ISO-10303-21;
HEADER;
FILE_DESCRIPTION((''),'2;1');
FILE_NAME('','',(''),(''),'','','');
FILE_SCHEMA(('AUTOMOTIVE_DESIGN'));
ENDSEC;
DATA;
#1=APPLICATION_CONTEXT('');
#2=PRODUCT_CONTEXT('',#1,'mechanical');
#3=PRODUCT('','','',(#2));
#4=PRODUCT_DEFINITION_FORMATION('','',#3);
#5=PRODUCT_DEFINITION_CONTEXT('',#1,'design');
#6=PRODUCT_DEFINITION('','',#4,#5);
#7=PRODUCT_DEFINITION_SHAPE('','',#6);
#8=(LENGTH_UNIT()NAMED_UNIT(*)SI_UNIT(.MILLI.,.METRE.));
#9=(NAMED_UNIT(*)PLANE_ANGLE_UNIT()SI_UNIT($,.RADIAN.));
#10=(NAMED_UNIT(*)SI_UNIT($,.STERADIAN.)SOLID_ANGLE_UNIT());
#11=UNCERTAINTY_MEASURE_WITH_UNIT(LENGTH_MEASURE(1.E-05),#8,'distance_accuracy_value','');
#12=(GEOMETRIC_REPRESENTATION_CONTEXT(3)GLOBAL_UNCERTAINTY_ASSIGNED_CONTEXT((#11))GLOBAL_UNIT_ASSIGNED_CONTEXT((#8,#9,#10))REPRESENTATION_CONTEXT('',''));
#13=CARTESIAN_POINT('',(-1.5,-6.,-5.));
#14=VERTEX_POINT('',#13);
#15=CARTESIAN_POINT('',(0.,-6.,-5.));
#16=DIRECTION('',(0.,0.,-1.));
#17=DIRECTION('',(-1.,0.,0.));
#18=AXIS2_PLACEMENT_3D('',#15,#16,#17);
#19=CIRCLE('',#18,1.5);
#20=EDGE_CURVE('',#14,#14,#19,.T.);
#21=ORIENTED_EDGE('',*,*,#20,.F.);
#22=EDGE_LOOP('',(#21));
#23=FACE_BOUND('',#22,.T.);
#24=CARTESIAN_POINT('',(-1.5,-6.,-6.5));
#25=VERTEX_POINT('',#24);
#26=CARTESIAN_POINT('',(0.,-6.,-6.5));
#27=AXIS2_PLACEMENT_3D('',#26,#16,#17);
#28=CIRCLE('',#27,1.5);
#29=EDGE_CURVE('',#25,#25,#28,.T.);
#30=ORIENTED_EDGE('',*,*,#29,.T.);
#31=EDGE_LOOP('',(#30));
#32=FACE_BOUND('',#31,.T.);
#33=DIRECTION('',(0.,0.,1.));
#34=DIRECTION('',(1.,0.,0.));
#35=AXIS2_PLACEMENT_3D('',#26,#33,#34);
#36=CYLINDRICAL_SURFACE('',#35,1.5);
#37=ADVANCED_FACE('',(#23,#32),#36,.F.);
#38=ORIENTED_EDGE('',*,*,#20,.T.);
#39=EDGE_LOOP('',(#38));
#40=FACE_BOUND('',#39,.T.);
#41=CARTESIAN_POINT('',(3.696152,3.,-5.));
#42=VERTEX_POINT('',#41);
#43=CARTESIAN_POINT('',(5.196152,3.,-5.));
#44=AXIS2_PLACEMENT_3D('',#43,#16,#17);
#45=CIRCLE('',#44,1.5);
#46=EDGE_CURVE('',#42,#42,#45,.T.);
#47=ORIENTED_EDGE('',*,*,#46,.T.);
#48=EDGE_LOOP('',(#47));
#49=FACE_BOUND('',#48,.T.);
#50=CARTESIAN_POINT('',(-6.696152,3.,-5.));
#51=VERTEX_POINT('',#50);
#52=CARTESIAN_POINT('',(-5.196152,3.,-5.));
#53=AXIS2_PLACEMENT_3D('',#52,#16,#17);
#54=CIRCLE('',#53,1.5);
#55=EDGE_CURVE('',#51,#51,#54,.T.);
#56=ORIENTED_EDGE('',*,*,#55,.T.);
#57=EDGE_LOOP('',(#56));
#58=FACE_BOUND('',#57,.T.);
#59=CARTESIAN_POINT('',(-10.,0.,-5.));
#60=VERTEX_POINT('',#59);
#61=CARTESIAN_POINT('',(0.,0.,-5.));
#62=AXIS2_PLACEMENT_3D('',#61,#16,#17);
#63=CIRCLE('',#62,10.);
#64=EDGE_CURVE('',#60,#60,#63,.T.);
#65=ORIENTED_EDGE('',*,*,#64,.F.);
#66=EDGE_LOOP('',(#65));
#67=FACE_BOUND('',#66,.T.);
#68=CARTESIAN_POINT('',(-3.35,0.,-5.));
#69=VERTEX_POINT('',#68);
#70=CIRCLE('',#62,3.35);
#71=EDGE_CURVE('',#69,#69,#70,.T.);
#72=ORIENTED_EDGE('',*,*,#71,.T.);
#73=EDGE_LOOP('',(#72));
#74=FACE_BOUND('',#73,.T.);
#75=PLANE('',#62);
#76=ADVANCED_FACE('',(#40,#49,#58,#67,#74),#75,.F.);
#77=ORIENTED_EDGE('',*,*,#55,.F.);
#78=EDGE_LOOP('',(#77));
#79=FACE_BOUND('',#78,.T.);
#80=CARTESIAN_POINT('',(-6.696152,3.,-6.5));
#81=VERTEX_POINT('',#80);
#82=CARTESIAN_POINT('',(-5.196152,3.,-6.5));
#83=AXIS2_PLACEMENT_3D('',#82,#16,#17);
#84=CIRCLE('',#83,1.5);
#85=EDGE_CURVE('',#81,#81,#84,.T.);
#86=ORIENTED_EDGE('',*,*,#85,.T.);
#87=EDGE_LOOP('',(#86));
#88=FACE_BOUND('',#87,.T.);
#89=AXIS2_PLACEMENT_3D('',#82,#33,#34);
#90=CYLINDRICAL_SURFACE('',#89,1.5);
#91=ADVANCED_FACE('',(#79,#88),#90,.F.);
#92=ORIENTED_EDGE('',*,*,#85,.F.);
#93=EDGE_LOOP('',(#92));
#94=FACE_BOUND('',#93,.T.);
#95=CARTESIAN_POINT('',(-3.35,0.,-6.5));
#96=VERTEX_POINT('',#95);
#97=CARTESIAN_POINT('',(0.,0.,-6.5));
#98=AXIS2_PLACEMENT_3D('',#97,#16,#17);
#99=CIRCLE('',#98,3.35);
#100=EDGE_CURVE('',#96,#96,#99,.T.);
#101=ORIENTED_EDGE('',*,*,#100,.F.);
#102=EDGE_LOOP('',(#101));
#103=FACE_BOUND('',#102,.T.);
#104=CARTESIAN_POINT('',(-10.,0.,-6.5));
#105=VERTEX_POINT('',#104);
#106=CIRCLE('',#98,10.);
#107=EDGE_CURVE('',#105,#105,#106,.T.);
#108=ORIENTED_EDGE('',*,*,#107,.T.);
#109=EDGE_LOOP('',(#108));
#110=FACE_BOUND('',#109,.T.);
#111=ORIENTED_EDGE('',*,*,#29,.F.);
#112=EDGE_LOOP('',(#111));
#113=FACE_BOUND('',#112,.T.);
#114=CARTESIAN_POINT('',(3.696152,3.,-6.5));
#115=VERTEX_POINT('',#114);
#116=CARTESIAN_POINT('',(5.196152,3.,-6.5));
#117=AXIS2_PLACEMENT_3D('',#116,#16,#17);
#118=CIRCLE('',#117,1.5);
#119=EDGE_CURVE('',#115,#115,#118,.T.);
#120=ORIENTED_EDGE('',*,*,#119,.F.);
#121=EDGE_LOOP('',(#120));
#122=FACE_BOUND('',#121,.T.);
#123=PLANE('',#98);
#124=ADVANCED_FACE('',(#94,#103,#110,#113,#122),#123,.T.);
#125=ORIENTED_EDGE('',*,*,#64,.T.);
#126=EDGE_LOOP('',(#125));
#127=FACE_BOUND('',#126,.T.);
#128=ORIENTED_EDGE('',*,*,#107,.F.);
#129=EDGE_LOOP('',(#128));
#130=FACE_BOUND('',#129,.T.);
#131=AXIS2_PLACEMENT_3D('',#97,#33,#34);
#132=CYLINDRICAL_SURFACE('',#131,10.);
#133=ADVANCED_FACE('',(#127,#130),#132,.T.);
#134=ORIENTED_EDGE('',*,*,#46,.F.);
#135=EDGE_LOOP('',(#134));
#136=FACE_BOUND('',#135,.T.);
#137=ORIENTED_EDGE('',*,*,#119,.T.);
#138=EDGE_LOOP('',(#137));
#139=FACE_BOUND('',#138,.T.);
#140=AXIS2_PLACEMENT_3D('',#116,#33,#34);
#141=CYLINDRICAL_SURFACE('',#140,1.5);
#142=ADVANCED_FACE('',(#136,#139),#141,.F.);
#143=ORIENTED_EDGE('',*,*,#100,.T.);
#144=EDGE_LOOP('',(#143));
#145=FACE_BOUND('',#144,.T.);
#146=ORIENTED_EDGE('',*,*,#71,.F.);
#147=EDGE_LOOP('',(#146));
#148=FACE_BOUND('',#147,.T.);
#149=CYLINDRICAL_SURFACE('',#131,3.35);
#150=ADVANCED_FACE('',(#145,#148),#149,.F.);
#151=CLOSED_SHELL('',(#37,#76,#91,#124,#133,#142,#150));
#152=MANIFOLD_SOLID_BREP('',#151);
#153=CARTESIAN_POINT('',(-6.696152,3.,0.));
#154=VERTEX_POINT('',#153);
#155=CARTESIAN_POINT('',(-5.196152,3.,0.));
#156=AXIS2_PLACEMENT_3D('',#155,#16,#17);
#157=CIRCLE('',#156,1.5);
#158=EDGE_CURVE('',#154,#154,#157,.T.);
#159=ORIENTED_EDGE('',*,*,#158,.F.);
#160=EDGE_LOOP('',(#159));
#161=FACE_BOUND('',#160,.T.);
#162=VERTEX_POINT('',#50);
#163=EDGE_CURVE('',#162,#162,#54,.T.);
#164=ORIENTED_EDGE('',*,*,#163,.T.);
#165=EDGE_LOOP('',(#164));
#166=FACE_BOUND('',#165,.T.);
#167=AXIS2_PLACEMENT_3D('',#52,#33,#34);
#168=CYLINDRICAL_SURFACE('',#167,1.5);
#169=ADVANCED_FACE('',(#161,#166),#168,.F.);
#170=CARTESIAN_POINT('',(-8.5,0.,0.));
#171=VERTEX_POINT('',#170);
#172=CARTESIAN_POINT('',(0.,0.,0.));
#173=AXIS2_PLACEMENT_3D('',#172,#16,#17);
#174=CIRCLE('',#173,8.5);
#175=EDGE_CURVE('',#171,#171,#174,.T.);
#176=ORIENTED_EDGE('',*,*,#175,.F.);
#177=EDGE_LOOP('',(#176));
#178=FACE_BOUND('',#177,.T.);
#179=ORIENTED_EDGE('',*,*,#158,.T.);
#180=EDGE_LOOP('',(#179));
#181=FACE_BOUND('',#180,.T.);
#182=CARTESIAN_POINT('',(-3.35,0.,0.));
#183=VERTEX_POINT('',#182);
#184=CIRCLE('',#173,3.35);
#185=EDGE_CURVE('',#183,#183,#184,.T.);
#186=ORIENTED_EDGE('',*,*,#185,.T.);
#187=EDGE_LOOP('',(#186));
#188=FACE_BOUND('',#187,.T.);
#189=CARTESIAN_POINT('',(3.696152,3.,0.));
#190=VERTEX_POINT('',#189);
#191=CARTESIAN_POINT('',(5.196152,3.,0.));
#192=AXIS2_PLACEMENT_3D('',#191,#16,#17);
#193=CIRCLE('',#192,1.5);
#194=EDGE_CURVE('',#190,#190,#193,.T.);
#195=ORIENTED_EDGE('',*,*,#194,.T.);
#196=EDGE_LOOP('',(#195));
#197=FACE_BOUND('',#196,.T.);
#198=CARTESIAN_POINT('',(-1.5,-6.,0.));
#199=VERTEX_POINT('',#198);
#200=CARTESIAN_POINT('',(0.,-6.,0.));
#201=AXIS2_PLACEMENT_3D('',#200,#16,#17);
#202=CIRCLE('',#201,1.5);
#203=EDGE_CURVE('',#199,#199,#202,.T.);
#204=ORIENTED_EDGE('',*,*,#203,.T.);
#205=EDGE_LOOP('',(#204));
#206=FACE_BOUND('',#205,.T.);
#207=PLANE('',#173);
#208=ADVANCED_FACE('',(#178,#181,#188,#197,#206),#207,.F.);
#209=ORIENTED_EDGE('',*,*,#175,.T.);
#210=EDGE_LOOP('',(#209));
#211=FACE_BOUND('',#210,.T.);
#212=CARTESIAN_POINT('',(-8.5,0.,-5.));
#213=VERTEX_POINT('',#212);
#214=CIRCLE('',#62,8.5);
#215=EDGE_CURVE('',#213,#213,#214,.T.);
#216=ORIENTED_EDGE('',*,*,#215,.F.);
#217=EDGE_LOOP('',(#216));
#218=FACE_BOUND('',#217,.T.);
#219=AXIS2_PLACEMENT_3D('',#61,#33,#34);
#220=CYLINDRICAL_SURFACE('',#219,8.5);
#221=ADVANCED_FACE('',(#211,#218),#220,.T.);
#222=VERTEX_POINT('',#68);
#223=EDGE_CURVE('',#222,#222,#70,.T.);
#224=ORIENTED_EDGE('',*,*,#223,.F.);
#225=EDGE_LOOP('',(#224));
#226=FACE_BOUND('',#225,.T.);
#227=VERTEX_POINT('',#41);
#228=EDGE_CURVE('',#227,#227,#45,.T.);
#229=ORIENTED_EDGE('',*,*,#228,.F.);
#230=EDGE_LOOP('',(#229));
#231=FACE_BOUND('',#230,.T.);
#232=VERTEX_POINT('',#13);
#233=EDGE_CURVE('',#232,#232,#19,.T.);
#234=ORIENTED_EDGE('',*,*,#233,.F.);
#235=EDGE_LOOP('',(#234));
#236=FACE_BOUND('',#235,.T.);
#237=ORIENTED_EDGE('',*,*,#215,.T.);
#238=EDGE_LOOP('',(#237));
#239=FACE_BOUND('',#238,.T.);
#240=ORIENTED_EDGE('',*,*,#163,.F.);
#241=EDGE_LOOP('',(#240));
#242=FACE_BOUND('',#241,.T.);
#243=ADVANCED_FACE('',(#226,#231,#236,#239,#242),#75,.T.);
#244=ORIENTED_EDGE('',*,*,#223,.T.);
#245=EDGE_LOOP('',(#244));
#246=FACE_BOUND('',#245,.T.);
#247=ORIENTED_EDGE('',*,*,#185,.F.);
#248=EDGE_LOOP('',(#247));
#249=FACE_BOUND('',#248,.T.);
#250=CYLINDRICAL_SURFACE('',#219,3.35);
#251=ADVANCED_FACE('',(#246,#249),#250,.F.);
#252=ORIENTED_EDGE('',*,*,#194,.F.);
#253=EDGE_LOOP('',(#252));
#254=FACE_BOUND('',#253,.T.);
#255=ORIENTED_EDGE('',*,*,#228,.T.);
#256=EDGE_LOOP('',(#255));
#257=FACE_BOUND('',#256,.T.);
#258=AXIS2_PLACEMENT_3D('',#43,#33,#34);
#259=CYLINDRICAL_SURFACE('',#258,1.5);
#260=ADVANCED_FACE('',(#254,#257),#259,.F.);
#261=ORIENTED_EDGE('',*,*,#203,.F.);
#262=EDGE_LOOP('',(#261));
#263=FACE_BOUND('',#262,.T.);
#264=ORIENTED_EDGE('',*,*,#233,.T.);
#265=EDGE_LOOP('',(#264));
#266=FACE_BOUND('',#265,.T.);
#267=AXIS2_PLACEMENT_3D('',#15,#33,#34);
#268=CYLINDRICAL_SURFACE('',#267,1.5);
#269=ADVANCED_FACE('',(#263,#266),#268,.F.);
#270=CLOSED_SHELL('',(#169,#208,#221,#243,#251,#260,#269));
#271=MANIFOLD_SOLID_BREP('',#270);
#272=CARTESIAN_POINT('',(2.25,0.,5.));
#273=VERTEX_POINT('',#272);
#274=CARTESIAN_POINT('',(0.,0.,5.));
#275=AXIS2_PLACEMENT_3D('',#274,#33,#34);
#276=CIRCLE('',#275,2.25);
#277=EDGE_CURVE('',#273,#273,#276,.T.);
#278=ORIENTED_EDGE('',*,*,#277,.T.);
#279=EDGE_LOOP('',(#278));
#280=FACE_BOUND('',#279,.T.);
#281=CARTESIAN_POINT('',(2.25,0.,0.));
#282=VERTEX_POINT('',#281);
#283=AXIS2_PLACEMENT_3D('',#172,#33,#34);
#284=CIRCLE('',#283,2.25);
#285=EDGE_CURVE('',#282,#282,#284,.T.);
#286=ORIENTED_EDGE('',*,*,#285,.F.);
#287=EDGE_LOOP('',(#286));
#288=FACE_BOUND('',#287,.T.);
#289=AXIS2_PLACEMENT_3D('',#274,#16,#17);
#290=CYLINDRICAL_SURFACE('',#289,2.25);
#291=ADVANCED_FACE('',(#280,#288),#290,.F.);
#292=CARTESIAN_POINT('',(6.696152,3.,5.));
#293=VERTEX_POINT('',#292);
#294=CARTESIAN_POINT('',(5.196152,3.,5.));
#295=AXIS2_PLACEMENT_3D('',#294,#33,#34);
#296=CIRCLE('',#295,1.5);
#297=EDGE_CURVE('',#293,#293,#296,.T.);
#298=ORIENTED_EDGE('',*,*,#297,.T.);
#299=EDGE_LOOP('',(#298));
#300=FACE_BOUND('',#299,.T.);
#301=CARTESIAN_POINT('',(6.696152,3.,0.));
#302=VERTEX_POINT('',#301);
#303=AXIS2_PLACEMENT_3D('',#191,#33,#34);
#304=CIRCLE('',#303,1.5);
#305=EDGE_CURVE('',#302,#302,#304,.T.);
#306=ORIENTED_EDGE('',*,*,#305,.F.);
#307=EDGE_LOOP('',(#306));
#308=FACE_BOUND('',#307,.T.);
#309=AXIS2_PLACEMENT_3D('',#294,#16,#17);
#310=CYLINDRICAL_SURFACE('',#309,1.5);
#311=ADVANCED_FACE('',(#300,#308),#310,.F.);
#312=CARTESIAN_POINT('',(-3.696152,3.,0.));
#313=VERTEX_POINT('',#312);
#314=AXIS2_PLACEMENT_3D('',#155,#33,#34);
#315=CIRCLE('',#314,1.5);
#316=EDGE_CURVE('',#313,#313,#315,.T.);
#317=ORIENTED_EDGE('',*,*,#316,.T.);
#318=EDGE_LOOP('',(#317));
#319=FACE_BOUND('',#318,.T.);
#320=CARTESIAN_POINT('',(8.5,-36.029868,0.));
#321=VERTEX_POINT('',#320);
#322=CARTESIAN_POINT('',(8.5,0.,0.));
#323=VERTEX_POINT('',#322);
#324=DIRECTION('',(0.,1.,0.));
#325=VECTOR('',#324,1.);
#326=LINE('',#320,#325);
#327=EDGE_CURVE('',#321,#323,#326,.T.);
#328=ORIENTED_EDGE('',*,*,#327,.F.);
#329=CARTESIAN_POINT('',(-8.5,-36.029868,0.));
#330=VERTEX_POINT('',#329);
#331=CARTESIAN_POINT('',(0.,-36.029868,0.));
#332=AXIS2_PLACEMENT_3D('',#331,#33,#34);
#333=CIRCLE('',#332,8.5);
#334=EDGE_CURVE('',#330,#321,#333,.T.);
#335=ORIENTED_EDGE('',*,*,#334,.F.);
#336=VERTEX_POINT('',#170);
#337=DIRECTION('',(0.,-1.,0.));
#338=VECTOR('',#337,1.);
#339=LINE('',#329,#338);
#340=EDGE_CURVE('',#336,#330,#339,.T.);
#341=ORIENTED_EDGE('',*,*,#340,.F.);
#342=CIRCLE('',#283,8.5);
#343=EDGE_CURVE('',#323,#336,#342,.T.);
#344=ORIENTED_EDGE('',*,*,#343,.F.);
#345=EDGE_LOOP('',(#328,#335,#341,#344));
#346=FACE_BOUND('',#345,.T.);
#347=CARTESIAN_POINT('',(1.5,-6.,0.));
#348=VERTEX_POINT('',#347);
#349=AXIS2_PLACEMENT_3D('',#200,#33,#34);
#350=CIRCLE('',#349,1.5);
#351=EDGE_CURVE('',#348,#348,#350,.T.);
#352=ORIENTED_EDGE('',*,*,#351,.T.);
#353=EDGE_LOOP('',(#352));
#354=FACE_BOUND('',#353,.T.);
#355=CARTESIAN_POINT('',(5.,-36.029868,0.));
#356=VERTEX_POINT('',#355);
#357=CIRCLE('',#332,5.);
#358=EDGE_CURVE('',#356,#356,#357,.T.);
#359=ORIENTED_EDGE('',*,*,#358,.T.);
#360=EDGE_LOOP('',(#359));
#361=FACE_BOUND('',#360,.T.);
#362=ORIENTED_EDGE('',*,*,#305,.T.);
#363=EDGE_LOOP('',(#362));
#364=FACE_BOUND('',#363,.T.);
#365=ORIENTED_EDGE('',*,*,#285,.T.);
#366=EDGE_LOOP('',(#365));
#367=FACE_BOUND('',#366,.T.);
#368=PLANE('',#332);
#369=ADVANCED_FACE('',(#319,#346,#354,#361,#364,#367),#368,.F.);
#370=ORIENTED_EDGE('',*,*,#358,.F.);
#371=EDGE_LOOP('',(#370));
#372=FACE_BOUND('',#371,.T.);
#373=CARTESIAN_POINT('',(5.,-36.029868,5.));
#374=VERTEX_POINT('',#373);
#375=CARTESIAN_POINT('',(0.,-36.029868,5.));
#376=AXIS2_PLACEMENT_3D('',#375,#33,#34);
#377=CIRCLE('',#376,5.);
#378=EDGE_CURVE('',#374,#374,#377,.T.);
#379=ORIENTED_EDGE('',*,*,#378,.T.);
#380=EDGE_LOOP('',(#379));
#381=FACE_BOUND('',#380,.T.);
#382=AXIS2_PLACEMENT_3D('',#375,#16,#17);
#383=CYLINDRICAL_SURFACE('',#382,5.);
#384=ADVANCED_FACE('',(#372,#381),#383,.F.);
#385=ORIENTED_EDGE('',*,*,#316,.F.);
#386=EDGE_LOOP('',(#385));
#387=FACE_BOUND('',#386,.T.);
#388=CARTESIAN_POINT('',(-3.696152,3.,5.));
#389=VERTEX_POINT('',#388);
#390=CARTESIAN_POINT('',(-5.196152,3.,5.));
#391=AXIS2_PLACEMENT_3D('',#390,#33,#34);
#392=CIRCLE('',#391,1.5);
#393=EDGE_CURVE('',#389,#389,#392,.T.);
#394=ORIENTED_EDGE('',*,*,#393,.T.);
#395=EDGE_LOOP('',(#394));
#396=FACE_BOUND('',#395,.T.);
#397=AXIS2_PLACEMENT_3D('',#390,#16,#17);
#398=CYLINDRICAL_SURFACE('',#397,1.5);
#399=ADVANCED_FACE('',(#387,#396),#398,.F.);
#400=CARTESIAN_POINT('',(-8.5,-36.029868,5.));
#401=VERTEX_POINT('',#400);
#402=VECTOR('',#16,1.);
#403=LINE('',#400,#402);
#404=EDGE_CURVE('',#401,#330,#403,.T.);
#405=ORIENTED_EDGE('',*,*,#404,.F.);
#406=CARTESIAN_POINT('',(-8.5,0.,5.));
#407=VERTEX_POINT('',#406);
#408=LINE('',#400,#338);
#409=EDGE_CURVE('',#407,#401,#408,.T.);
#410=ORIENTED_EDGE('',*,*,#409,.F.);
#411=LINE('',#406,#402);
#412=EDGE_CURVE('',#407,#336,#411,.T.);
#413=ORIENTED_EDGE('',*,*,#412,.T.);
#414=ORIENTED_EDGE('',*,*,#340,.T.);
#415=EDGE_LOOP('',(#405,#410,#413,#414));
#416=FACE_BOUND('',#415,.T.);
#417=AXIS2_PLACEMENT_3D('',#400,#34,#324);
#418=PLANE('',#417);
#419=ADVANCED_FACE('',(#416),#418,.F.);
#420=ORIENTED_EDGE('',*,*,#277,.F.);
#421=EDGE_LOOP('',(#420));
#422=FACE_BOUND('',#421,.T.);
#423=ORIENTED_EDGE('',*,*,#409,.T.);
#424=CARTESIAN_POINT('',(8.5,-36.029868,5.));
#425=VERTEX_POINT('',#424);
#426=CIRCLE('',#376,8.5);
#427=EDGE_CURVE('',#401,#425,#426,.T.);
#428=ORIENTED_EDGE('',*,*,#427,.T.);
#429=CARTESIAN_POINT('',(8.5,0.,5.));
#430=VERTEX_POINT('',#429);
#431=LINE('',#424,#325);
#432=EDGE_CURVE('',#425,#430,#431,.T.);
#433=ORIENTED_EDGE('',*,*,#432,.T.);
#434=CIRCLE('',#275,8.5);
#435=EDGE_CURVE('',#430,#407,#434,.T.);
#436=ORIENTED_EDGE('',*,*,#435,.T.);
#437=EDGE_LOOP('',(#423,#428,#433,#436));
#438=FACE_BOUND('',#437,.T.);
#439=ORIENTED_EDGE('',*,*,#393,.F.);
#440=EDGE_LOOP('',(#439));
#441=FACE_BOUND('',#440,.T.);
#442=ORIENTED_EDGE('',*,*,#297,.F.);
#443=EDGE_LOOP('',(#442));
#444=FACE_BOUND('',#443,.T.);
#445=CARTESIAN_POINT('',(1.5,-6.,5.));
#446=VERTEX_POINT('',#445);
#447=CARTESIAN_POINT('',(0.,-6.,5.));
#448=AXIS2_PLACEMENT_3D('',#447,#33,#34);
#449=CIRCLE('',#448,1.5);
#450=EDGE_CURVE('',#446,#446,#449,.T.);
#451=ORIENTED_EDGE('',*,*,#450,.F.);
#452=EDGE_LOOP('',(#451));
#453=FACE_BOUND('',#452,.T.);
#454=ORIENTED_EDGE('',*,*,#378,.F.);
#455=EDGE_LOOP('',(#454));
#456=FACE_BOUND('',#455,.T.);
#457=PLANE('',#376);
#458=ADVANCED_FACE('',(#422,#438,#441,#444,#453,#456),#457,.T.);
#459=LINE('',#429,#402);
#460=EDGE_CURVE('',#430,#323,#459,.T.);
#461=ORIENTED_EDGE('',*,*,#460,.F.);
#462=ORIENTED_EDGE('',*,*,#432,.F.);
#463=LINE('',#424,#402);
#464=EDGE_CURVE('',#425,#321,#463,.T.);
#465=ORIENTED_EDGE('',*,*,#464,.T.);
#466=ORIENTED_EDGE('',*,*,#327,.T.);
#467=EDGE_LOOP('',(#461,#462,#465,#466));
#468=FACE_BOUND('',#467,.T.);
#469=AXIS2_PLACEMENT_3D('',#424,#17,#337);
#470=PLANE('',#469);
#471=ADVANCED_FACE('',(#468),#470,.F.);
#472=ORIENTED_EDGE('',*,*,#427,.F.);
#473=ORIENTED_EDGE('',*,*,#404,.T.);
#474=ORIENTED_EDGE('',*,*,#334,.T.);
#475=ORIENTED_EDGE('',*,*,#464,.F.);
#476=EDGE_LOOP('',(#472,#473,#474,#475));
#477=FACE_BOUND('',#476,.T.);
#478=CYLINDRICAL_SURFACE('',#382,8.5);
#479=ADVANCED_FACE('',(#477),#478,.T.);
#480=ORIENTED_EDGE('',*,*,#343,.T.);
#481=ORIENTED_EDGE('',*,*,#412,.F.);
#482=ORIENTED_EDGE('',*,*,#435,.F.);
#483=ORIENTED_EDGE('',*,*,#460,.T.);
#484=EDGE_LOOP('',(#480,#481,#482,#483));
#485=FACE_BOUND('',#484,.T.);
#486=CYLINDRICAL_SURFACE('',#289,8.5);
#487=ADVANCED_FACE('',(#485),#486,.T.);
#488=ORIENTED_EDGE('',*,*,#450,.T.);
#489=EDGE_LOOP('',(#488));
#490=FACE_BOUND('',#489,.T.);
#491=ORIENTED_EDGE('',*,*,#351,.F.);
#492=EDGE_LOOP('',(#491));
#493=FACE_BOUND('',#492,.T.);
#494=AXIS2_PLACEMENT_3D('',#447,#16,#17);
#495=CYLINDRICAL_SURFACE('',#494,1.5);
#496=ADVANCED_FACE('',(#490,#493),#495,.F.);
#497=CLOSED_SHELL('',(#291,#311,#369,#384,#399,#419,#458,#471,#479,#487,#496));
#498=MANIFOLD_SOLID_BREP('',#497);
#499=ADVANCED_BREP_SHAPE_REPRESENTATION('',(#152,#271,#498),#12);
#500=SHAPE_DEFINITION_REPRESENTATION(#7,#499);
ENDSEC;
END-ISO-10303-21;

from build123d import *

# Parameters (mm, degrees)
SKETCH_1_R      = 1.5
SKETCH_1_R_2    = 2.25
SKETCH_1_R_3    = 5
EXTRUDE_1_DEPTH = 5
SKETCH_2_R      = 8.5
SKETCH_2_R_2    = 1.5
SKETCH_2_R_3    = 3.35
EXTRUDE_2_DEPTH = 5
SKETCH_3_R      = 10
SKETCH_3_R_2    = 1.5
SKETCH_3_R_3    = 3.35
EXTRUDE_3_DEPTH = 1.5


with BuildPart() as part:
    # 草图1 → 凸台-拉伸1 (new body)
    with BuildSketch(Plane.XY):
        with BuildLine():
            Line((-8.5, -36.02986797), (-8.5, 0))
            ThreePointArc((-8.5, 0), (0, 8.5), (8.5, 0))
            Line((8.5, 0), (8.5, -36.02986797))
            ThreePointArc((8.5, -36.02986797), (0, -44.52986797), (-8.5, -36.02986797))
        make_face()
        with Locations((-5.196152423, 3)):
            Circle(SKETCH_1_R, mode=Mode.SUBTRACT)
        Circle(SKETCH_1_R_2, mode=Mode.SUBTRACT)
        with Locations((0, -36.02986797)):
            Circle(SKETCH_1_R_3, mode=Mode.SUBTRACT)
        with Locations((5.196152423, 3)):
            Circle(SKETCH_1_R, mode=Mode.SUBTRACT)
        with Locations((0, -6)):
            Circle(SKETCH_1_R, mode=Mode.SUBTRACT)
    extrude(amount=EXTRUDE_1_DEPTH)


with BuildPart() as body_2:
    # 草图2 → 凸台-拉伸2 (new body)
    with BuildSketch(Plane(origin=(0, 0, 0), x_dir=(-1, 0, 0), z_dir=(0, 0, -1))):
        Circle(SKETCH_2_R)
        with Locations((0, -6)):
            Circle(SKETCH_2_R_2, mode=Mode.SUBTRACT)
        with Locations((5.196152423, 3)):
            Circle(SKETCH_2_R_2, mode=Mode.SUBTRACT)
        Circle(SKETCH_2_R_3, mode=Mode.SUBTRACT)
        with Locations((-5.196152423, 3)):
            Circle(SKETCH_2_R_2, mode=Mode.SUBTRACT)
    extrude(amount=EXTRUDE_2_DEPTH)


with BuildPart() as body_3:
    # 草图3 → 凸台-拉伸3 (new body)
    with BuildSketch(Plane(origin=(0, 0, -5), x_dir=(-1, 0, 0), z_dir=(0, 0, -1))):
        Circle(SKETCH_3_R)
        with Locations((-5.196152423, 3)):
            Circle(SKETCH_3_R_2, mode=Mode.SUBTRACT)
        Circle(SKETCH_3_R_3, mode=Mode.SUBTRACT)
        with Locations((5.196152423, 3)):
            Circle(SKETCH_3_R_2, mode=Mode.SUBTRACT)
        with Locations((0, -6)):
            Circle(SKETCH_3_R_2, mode=Mode.SUBTRACT)
    extrude(amount=EXTRUDE_3_DEPTH)


solid = Compound([part.part, body_2.part, body_3.part])
